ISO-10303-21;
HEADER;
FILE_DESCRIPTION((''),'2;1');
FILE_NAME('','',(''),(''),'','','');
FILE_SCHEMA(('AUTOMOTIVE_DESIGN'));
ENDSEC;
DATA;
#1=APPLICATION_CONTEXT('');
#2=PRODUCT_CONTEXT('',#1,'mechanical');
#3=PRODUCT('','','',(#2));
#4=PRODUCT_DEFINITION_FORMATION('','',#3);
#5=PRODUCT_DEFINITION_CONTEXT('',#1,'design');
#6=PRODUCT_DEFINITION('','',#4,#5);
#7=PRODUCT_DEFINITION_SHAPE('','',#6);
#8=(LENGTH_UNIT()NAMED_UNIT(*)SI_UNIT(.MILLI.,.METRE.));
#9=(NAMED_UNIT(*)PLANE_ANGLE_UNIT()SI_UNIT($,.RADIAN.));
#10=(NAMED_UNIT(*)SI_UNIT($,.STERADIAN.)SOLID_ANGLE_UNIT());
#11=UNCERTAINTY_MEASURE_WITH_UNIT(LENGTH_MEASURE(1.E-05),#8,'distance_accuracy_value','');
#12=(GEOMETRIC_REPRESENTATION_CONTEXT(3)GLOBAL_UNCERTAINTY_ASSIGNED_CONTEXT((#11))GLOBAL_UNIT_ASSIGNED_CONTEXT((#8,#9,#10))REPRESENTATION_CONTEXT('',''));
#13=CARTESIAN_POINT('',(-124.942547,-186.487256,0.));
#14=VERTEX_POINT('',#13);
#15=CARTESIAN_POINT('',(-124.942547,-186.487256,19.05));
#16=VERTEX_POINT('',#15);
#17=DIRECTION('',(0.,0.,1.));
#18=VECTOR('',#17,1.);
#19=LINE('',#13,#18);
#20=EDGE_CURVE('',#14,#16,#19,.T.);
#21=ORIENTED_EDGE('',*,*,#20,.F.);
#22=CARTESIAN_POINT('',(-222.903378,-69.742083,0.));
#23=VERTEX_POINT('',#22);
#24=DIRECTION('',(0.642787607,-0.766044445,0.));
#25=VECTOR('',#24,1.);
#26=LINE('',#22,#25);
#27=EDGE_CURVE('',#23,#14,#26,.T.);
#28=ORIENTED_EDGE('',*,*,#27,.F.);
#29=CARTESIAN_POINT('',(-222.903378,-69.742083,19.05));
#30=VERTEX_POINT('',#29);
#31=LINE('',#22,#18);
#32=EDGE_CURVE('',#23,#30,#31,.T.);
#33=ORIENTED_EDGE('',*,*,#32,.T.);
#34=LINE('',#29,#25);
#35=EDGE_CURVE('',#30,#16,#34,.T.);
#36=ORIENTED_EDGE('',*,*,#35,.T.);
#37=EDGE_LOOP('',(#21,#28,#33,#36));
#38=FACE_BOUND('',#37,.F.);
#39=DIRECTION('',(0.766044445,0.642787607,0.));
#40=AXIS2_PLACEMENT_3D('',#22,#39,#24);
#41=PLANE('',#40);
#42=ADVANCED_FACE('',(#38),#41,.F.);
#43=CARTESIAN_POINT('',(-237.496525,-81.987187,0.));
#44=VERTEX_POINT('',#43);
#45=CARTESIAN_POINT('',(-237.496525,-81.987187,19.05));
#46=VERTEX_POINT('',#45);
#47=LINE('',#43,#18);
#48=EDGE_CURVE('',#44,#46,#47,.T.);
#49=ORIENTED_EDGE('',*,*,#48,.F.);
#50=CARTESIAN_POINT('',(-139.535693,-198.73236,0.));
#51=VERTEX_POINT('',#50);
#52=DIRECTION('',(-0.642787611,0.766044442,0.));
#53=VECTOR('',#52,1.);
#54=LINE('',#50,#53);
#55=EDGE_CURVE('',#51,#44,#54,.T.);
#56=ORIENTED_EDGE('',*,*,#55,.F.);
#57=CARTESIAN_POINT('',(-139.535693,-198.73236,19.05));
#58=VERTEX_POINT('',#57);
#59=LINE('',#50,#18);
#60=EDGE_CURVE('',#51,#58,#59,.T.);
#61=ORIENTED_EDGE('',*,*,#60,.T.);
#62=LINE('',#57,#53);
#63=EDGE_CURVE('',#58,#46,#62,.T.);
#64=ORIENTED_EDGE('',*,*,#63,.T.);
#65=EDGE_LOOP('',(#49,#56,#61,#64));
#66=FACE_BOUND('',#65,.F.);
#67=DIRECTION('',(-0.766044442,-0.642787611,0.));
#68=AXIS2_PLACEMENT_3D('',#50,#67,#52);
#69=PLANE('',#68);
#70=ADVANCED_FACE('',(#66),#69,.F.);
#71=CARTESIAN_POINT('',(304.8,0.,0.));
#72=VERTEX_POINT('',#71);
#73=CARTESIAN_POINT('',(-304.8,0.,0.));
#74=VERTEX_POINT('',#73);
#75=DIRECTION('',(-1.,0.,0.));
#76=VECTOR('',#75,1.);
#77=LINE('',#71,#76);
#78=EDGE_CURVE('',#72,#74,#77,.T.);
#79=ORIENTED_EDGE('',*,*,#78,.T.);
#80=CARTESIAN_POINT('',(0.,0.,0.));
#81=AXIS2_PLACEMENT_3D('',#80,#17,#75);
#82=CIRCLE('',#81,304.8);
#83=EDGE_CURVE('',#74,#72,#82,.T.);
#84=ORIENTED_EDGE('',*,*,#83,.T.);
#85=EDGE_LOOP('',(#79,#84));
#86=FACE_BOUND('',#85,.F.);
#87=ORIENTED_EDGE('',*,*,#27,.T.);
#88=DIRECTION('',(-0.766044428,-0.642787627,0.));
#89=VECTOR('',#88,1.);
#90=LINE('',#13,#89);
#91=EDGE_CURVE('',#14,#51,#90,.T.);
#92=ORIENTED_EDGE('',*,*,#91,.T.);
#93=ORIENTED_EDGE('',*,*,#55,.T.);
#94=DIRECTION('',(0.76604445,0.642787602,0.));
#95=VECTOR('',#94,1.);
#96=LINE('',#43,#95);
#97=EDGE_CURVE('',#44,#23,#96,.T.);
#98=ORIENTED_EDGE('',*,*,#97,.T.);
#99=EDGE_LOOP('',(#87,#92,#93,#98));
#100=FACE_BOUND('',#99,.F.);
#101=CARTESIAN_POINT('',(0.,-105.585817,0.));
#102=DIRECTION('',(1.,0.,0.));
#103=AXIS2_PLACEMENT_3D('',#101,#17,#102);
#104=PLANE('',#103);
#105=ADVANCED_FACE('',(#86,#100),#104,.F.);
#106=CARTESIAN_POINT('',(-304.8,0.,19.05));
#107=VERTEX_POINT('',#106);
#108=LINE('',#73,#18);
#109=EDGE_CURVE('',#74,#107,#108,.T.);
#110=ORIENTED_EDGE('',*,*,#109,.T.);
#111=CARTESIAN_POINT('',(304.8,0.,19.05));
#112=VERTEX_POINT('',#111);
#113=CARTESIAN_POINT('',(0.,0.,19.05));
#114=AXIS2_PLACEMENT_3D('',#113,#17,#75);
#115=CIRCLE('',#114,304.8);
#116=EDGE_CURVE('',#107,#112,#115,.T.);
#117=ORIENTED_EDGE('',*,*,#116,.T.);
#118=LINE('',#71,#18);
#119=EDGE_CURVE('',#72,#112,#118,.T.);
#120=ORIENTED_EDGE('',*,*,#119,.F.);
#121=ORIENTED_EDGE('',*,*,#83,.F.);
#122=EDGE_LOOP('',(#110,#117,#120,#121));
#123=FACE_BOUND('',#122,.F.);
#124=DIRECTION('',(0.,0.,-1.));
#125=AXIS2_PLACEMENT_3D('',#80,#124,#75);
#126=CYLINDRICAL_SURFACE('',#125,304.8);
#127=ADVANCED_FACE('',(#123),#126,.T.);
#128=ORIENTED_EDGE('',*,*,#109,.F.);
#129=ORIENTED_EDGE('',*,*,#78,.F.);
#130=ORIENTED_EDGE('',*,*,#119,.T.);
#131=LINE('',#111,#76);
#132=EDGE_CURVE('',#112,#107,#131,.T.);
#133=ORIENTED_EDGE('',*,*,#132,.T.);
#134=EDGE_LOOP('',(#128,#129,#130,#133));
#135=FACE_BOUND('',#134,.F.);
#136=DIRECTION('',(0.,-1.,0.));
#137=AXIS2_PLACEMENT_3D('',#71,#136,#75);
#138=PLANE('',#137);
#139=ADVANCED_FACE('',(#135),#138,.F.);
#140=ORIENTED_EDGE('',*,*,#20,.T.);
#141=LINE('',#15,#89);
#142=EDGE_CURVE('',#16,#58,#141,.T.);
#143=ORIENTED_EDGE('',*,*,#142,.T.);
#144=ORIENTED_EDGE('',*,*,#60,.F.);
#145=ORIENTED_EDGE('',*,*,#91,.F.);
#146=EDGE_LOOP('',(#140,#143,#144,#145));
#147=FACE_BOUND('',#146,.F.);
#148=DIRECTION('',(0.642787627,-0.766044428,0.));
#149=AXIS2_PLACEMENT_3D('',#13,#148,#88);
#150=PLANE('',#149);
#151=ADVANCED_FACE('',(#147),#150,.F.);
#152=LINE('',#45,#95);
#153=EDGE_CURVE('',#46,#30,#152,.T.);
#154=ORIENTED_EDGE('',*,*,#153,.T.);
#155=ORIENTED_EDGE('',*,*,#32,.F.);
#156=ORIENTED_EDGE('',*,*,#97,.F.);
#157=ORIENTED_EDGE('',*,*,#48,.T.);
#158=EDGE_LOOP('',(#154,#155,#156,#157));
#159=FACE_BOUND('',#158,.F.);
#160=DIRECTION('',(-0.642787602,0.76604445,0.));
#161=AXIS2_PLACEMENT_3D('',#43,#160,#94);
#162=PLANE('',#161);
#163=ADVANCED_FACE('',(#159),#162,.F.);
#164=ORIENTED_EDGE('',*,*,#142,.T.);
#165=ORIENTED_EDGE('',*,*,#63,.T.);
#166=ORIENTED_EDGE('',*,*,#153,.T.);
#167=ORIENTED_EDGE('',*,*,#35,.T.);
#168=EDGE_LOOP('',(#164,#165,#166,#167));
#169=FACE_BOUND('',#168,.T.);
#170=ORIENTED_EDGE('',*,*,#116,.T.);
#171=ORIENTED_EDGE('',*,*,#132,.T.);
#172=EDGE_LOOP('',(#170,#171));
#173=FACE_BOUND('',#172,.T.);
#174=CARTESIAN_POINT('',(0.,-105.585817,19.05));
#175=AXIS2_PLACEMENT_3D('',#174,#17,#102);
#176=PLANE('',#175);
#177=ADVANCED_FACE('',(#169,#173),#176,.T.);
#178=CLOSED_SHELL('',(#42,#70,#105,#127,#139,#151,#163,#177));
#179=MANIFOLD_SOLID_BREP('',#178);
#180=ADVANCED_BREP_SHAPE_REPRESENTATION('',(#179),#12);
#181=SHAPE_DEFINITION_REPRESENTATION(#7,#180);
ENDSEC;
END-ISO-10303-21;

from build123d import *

# Parameters (mm, degrees)
F1_DEPTH = 19.05


with BuildPart() as f1:
    # F0 (on Top) → F1 (new body)
    with BuildSketch(Plane.XY):
        with BuildLine():
            Line((-249.206918, 0), (-304.8, 0))
            ThreePointArc((-304.8, 0), (0, -304.8), (304.8, 0))
            Line((304.8, 0), (241.3, 0))
            Line((241.3, 0), (-249.206918, 0))
        make_face()
        Polygon((-139.535693, -198.73236), (-237.496525, -81.987187), (-222.903378, -69.742083), (-124.942547, -186.487256), align=None, mode=Mode.SUBTRACT)
    extrude(amount=F1_DEPTH)


solid = f1.part
